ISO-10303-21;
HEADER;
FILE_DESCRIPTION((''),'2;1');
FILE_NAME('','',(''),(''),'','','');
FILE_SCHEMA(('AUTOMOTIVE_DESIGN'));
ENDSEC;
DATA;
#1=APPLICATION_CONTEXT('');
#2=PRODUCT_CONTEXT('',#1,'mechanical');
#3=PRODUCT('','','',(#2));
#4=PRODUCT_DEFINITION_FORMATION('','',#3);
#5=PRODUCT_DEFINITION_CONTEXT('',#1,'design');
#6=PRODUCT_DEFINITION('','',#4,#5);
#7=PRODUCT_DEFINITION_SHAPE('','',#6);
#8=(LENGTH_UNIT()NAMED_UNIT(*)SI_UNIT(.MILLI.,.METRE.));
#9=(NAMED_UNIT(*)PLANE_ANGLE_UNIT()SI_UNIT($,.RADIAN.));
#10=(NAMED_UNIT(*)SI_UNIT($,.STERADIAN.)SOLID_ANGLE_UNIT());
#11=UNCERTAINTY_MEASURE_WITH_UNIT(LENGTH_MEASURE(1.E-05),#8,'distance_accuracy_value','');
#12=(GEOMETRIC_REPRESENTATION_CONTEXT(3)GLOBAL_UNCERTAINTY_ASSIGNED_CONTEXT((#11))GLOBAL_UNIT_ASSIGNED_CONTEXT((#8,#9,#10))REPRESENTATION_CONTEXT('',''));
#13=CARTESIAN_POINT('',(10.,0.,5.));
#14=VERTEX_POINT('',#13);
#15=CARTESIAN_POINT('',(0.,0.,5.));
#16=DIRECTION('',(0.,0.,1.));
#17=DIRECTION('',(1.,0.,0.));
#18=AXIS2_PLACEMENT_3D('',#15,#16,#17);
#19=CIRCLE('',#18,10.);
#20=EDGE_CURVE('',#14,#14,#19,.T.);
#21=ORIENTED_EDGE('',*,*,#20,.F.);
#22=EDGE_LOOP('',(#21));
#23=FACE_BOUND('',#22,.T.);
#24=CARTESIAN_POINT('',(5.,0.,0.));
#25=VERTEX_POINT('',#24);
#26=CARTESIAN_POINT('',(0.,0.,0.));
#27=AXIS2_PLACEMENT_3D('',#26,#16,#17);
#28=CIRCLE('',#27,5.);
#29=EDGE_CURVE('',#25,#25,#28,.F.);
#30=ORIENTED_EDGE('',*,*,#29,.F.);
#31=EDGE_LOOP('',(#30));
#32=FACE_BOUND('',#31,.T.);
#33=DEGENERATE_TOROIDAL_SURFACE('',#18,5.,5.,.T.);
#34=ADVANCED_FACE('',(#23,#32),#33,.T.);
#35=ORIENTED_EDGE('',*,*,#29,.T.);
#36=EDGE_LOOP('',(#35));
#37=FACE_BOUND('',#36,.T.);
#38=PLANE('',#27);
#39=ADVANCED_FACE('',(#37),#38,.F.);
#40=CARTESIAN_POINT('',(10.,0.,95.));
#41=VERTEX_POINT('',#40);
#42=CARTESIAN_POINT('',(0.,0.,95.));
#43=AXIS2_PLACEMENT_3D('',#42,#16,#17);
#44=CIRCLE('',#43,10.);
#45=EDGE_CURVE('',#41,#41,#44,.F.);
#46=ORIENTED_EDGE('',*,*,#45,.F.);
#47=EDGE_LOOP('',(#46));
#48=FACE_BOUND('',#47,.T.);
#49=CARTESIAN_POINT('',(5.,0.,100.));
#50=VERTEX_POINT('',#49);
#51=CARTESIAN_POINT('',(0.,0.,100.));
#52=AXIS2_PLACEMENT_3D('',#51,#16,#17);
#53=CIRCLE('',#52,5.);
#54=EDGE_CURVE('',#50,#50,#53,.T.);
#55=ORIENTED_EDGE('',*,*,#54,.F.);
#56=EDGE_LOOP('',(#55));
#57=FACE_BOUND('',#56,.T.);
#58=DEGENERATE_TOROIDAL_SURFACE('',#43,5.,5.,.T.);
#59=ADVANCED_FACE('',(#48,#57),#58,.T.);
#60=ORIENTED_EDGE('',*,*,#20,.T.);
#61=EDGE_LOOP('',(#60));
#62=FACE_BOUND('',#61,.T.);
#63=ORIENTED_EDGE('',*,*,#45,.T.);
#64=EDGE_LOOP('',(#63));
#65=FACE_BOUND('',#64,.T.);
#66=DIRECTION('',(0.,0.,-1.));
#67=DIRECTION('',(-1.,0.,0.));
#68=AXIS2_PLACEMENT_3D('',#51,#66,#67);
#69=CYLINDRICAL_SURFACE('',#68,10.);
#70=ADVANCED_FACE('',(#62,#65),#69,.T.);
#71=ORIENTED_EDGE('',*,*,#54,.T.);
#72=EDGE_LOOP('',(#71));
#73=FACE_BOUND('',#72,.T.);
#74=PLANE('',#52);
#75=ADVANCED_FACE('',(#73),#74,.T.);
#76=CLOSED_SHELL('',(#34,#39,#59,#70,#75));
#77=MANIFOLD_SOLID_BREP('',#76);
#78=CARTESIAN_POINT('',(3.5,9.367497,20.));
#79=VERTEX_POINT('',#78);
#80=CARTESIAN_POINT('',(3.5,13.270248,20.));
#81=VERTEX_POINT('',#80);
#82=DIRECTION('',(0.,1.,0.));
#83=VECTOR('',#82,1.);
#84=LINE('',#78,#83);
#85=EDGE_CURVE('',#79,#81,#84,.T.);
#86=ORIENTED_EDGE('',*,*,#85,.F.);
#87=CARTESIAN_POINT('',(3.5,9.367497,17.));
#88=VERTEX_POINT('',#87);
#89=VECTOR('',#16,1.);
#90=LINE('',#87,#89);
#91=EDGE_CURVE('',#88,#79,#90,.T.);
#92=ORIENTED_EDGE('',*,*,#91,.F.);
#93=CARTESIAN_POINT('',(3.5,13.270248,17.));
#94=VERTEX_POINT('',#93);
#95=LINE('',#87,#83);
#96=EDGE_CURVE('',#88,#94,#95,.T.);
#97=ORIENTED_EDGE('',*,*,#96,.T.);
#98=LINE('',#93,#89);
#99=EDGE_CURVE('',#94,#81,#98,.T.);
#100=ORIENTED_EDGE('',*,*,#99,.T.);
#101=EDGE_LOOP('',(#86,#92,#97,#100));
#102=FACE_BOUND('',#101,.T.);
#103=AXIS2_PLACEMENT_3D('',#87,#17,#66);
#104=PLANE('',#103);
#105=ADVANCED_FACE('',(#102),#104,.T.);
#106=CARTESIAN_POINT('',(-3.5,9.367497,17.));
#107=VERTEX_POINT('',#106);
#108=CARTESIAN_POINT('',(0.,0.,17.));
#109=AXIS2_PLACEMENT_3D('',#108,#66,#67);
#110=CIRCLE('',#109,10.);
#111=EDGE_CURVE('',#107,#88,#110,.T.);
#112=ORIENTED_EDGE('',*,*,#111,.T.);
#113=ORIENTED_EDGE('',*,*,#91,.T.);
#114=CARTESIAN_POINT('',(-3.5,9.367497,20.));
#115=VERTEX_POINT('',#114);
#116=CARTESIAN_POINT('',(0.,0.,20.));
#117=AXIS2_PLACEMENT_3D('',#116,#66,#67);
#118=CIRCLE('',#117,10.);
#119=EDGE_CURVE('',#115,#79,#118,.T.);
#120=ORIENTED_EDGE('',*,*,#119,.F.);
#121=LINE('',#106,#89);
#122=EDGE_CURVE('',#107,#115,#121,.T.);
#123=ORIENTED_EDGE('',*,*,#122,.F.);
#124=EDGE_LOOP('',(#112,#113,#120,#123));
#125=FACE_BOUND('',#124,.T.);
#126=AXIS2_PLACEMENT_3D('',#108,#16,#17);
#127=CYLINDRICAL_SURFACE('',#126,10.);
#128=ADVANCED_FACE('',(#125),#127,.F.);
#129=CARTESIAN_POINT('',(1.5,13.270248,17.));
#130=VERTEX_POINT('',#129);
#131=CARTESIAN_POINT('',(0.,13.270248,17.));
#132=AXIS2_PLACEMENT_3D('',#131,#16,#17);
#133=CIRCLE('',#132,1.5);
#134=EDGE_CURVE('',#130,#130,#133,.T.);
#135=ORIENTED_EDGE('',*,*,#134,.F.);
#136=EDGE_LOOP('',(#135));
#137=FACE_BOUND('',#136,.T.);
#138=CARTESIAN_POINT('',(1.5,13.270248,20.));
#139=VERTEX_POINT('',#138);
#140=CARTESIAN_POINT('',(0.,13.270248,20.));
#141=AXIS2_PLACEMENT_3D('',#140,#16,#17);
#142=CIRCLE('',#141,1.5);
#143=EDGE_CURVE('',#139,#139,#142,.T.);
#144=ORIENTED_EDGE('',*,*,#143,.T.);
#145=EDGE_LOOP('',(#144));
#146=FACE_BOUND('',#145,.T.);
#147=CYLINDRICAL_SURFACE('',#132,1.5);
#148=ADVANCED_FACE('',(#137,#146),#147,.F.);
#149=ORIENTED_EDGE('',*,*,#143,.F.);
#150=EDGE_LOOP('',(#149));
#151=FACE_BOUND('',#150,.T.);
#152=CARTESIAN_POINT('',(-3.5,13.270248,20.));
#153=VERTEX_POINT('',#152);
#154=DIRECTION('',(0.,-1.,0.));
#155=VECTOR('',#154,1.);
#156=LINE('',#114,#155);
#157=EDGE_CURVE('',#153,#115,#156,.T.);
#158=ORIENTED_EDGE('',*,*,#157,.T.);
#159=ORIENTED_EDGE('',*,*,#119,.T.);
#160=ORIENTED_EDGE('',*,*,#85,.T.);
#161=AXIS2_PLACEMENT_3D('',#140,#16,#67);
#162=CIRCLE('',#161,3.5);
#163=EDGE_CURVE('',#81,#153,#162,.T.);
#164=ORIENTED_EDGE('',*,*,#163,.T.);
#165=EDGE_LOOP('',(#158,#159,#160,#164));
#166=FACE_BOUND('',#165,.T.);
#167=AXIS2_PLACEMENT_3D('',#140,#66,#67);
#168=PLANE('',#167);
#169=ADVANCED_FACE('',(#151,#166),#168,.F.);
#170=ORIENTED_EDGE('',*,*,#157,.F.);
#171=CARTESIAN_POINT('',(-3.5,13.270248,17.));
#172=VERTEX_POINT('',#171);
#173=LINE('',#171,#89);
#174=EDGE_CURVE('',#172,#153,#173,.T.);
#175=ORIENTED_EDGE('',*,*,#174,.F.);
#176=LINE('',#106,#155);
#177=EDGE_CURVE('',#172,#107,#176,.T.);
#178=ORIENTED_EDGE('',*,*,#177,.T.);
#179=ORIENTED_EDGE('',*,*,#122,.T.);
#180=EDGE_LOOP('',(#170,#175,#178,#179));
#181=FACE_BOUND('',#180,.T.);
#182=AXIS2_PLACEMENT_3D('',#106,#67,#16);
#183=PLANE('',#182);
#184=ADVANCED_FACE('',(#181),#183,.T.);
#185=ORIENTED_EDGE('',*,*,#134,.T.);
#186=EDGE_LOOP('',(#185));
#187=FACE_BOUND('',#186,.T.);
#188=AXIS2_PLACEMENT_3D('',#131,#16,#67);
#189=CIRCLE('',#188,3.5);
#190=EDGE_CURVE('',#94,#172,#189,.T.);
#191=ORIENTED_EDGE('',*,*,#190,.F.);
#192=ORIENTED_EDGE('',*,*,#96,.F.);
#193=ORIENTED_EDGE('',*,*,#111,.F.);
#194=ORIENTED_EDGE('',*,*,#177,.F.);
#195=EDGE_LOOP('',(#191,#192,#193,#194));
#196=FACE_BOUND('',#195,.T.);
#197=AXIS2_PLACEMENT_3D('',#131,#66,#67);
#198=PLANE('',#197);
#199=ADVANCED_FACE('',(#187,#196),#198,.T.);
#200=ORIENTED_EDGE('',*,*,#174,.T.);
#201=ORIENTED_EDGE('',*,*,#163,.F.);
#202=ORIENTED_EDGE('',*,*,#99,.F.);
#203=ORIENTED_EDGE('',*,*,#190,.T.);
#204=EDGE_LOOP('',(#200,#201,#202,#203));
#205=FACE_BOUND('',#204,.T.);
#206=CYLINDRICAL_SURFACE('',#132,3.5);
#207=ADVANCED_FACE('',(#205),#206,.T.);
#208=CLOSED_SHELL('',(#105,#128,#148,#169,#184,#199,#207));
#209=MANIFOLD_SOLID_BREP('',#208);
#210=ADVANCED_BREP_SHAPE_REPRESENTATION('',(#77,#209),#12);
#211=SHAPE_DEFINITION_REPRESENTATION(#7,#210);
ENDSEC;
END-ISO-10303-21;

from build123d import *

# Parameters (mm, degrees)
SKETCH1_R           = 10
BOSS_EXTRUDE1_DEPTH = 100
FILLET1_R           = 5
SKETCH2_R           = 1.5
BOSS_EXTRUDE2_DEPTH = 3


with BuildPart() as part:
    # Sketch1 → Boss-Extrude1 (new body)
    with BuildSketch(Plane.XY):
        Circle(SKETCH1_R)
    extrude(amount=BOSS_EXTRUDE1_DEPTH)

    # Fillet1
    fillet1_edges = [part.edges().sort_by_distance(p)[0] for p in [
        (-10, 0, 0),
        (-10, 0, 100),
    ]]
    fillet(fillet1_edges, radius=FILLET1_R)


with BuildPart() as body_2:
    # Sketch2 → Boss-Extrude2 (new body)
    with BuildSketch(Plane.XY.offset(20)):
        with BuildLine():
            Line((3.5, 9.367496998), (3.5, 13.270248109))
            ThreePointArc((3.5, 13.270248109), (0, 16.770248109), (-3.5, 13.270248109))
            Line((-3.5, 13.270248109), (-3.5, 9.367496998))
            ThreePointArc((-3.5, 9.367496998), (0, 10), (3.5, 9.367496998))
        make_face()
        with Locations((0, 13.270248109)):
            Circle(SKETCH2_R, mode=Mode.SUBTRACT)
    extrude(amount=-BOSS_EXTRUDE2_DEPTH)


solid = Compound([part.part, body_2.part])
